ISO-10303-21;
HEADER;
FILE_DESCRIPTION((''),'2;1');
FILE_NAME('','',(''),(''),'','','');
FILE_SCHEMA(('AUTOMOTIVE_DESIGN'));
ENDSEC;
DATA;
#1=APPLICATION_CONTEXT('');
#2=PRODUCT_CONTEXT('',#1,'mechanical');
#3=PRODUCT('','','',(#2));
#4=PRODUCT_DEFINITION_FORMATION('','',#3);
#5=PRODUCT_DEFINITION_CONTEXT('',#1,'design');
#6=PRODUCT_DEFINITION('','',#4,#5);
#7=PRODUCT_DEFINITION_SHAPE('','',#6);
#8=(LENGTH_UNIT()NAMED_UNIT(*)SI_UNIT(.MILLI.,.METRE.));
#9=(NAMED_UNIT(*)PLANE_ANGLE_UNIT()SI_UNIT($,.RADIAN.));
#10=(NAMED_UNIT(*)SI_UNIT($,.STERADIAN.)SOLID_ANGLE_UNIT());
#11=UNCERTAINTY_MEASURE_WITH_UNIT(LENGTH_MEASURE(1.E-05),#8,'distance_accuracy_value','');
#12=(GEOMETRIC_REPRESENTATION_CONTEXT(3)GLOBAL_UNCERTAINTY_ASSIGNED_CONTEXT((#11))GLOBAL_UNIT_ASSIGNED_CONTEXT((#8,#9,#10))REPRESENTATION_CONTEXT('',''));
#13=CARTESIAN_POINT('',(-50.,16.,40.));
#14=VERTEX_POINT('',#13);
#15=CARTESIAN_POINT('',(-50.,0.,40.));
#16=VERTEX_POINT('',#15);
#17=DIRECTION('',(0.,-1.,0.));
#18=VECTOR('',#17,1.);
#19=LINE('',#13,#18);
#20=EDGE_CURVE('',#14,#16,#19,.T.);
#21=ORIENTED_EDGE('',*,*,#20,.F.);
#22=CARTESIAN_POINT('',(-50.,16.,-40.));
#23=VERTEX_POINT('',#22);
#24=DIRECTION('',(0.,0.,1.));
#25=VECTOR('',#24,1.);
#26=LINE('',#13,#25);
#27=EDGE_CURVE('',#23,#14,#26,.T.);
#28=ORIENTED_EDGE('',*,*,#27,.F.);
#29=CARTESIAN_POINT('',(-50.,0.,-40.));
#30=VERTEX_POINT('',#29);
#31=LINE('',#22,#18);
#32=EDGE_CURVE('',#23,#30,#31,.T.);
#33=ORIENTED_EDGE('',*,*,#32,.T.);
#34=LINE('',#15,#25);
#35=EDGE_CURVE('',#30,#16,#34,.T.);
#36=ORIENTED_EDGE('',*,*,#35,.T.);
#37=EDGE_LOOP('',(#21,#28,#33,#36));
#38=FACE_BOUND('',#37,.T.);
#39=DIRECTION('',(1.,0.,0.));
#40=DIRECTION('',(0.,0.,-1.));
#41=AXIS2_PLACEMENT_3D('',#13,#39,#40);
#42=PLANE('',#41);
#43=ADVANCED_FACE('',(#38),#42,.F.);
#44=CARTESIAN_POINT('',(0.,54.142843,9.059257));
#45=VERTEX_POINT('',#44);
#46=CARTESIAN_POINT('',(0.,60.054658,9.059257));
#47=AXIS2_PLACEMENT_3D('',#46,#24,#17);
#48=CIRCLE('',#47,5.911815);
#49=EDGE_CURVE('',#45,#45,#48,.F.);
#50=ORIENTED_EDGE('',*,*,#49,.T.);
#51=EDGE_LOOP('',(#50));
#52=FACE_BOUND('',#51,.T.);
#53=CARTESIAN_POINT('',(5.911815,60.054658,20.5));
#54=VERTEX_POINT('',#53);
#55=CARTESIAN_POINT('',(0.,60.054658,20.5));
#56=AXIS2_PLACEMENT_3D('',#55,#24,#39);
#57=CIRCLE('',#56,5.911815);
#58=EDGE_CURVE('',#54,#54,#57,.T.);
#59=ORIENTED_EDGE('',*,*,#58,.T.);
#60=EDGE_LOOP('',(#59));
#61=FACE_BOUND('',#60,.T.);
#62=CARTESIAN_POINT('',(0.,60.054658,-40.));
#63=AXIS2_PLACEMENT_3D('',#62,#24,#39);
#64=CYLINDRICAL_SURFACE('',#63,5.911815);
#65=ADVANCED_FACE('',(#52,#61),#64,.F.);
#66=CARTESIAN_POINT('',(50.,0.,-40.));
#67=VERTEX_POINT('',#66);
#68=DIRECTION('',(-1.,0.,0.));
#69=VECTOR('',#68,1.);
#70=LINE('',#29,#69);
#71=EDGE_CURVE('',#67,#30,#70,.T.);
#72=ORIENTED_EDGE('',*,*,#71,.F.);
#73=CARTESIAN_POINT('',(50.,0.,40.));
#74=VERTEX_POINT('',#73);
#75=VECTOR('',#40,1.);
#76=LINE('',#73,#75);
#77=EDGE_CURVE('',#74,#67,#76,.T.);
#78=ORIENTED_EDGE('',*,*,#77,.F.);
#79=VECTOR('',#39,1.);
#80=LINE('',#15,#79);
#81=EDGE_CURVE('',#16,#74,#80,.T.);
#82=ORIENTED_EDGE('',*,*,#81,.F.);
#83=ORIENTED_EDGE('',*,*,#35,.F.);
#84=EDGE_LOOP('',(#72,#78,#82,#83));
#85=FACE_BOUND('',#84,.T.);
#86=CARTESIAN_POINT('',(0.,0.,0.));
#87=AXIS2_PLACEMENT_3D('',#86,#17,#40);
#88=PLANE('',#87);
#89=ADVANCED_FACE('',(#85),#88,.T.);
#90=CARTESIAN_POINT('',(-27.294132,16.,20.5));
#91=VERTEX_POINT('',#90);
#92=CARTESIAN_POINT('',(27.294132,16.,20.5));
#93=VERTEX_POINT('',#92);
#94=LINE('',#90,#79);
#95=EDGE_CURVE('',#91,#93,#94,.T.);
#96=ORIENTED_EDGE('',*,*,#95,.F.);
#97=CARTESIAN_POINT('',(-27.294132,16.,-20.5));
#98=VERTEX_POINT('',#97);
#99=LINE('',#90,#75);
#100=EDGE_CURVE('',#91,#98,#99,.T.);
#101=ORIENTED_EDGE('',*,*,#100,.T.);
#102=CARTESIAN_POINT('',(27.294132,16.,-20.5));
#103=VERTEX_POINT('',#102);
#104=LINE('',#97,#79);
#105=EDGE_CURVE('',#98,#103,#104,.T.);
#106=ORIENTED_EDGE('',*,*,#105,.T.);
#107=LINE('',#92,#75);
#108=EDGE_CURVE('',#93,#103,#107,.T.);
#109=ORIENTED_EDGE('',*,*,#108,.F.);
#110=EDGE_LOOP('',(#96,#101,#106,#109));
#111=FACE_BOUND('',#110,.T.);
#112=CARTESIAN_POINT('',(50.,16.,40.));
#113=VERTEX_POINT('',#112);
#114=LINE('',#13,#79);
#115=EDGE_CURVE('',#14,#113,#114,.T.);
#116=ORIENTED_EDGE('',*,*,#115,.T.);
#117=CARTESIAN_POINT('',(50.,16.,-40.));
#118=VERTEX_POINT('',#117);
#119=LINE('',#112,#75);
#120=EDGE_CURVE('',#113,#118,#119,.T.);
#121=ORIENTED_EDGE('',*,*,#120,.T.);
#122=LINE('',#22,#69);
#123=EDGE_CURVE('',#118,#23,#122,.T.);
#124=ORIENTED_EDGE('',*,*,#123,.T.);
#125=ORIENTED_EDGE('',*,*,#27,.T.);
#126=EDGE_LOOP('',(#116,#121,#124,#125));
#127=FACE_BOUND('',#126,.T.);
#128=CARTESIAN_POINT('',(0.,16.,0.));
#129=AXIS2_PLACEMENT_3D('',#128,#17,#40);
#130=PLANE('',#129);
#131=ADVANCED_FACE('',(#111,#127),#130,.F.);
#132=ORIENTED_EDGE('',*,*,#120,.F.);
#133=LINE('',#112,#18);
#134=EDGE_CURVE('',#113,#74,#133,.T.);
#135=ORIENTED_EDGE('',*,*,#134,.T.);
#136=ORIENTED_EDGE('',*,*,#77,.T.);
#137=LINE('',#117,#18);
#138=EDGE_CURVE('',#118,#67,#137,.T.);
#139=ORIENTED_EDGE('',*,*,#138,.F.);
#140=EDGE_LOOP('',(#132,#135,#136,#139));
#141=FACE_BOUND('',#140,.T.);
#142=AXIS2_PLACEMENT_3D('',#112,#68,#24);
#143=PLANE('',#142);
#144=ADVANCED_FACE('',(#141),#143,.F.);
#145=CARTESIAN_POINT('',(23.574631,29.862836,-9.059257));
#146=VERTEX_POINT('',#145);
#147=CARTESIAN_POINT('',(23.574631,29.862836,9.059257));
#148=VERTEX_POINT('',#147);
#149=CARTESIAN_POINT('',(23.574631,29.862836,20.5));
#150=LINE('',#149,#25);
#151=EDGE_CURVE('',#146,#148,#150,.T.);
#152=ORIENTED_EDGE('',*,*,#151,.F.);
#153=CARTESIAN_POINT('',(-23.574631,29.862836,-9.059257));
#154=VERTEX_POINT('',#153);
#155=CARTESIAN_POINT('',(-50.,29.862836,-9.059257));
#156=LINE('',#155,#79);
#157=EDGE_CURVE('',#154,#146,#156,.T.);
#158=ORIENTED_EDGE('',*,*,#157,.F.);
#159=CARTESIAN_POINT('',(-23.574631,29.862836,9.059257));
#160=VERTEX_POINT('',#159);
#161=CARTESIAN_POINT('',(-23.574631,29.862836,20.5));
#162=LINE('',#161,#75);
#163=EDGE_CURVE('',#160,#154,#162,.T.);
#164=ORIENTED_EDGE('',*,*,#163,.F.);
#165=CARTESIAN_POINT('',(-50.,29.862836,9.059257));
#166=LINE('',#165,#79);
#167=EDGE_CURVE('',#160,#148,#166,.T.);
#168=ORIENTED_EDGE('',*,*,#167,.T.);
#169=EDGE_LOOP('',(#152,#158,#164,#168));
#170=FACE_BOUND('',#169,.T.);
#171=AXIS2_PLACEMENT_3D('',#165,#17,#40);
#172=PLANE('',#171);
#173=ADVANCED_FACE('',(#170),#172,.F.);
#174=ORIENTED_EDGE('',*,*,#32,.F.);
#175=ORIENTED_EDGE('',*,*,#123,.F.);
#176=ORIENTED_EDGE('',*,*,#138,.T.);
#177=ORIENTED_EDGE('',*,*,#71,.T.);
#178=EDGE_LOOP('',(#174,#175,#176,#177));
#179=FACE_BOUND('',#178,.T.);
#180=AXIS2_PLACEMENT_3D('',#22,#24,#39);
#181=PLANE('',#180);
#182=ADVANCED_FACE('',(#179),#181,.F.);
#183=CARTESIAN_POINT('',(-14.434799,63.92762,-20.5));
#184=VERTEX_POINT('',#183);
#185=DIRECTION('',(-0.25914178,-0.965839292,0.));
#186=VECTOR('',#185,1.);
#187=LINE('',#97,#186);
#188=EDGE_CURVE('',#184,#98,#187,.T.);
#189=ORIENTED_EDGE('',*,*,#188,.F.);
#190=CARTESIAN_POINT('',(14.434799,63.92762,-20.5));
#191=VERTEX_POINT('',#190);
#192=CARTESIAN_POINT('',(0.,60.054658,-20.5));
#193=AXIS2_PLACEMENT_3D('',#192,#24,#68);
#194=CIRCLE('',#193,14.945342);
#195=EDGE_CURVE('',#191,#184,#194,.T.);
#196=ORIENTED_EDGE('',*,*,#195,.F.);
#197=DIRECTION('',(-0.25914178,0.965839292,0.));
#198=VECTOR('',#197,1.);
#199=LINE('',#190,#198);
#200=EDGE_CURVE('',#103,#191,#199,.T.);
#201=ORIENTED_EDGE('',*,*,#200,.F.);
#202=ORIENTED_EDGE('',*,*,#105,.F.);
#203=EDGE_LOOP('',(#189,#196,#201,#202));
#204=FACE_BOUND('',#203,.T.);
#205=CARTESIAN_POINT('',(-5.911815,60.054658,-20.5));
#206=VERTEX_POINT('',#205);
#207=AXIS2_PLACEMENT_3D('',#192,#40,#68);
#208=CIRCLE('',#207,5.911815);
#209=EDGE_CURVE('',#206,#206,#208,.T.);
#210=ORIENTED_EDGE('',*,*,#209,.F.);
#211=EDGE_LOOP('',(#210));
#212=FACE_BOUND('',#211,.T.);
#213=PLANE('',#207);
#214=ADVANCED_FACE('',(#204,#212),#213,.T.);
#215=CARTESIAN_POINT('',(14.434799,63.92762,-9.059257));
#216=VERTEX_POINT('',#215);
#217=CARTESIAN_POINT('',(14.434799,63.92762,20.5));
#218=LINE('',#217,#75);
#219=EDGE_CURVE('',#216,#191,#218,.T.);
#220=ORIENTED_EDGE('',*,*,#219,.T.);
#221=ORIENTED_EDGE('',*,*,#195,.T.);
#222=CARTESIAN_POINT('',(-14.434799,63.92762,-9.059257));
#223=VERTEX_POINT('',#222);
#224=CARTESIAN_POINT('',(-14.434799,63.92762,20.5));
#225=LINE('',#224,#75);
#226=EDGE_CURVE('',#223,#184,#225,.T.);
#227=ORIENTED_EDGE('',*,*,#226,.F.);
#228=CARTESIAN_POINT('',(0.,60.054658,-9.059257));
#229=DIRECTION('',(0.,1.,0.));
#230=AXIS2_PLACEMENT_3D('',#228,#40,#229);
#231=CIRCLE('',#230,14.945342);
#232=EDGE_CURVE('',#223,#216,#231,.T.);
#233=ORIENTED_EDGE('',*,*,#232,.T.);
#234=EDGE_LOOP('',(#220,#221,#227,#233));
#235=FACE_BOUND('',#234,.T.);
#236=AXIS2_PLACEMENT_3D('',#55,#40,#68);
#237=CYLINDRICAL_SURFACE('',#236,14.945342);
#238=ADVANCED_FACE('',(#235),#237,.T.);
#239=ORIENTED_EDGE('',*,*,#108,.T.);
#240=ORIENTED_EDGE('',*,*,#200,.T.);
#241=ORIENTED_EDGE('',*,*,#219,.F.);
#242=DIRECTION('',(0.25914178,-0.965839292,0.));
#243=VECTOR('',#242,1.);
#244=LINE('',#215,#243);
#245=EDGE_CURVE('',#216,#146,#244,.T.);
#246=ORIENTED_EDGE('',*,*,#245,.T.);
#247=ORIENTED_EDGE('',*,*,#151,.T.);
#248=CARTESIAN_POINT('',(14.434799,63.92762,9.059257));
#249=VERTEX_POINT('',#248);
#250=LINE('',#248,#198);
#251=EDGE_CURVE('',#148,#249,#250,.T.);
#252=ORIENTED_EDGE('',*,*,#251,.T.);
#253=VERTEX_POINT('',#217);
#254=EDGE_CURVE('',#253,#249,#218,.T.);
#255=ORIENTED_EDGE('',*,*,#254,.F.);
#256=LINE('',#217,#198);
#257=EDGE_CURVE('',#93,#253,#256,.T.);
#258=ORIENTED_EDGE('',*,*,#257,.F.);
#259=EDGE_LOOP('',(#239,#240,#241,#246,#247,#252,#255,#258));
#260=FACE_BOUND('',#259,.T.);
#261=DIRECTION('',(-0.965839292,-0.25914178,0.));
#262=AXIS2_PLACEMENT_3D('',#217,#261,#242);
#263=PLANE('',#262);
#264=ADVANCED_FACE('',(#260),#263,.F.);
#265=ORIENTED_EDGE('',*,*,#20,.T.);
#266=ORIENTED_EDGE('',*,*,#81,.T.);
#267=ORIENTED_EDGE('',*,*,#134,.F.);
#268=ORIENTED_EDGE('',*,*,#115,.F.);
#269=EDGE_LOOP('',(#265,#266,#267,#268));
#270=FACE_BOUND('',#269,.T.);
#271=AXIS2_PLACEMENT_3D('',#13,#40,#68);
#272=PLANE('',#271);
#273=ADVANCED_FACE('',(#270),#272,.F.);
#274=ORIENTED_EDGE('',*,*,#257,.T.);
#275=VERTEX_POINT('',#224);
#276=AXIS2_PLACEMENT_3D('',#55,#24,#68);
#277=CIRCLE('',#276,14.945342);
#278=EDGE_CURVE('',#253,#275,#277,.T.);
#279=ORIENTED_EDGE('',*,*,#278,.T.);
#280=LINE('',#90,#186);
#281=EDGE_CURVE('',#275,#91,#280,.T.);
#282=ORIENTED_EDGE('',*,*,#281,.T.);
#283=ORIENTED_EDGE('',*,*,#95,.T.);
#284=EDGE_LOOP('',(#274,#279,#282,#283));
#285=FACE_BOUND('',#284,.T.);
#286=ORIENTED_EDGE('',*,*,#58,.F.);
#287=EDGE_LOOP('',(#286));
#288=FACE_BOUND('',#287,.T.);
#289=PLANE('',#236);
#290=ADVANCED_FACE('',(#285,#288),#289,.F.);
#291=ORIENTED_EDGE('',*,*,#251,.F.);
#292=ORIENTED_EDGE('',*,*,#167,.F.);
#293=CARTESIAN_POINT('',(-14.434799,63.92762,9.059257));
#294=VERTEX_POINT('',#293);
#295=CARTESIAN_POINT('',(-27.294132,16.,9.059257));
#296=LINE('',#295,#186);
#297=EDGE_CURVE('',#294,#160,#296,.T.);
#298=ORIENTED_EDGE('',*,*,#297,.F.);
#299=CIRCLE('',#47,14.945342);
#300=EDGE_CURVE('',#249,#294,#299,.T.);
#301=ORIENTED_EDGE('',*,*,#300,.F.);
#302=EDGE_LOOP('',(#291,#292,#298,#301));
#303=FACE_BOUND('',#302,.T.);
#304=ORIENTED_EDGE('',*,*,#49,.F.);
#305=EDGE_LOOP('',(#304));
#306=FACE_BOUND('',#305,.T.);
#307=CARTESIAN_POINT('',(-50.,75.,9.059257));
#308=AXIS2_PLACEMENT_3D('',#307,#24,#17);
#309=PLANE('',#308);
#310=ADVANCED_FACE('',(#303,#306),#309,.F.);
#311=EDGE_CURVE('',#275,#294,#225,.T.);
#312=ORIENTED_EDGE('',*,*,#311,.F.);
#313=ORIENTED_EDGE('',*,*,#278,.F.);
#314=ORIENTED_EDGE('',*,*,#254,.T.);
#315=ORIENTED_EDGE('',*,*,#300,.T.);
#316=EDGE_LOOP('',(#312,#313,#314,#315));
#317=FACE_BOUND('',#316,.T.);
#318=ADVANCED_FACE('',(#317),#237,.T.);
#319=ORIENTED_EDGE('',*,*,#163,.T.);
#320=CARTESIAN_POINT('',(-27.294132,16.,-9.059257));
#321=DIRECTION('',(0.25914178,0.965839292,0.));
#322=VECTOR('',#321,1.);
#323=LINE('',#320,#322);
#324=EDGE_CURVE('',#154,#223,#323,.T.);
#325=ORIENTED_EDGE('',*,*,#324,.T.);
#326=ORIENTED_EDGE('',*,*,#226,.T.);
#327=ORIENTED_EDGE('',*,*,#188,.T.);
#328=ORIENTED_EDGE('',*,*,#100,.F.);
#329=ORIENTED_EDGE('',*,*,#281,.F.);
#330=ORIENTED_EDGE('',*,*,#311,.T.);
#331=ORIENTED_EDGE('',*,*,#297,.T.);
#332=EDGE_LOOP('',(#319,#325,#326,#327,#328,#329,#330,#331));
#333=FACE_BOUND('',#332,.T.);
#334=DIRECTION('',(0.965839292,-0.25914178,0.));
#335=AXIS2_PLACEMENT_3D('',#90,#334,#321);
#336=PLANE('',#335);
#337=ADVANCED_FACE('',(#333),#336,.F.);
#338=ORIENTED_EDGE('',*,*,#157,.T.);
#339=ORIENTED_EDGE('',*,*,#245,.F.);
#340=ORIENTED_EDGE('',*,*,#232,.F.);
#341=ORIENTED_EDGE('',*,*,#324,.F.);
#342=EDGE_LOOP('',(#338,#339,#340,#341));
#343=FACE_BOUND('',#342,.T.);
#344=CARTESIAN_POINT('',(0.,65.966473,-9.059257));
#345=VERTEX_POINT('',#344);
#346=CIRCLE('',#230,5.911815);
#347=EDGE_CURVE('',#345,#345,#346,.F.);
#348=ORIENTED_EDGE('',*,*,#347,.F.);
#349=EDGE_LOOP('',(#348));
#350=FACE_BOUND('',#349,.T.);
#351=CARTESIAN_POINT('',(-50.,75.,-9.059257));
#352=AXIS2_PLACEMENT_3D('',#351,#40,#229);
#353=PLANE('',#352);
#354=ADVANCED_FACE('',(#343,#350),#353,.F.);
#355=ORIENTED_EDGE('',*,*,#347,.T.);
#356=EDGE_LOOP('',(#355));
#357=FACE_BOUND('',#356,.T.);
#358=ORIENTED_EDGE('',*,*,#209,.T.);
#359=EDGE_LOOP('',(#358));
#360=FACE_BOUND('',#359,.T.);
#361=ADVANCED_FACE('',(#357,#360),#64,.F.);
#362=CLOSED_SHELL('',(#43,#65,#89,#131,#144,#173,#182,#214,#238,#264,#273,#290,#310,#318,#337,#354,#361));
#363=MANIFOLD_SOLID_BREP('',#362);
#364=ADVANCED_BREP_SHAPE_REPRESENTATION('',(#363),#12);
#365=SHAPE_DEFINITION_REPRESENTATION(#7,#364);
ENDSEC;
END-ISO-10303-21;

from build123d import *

# Parameters (mm, degrees)
SKETCH3_W               = 100
SKETCH3_H               = 80
BOSS_EXTRUDE2_DEPTH     = 16
BOSS_EXTRUDE3_DEPTH     = 20.5
SKETCH6_R               = 5.911815165
CUT_EXTRUDE1_DEPTH      = 109.559891304
CUT_EXTRUDE2_DEPTH      = 99.615414617
CUT_EXTRUDE2_DEPTH_BACK = 99.615414617
SKETCH8_W               = 18.118513472
SKETCH8_H               = 45.137164109


with BuildPart() as part:
    # Sketch3 → Boss-Extrude2 (new body)
    with BuildSketch(Plane(origin=(0, 0, 0), x_dir=(1, 0, 0), z_dir=(0, 1, 0))):
        Rectangle(SKETCH3_W, SKETCH3_H)
    extrude(amount=BOSS_EXTRUDE2_DEPTH)

    # Sketch5 → Boss-Extrude3 (add, symmetric)
    with BuildSketch(Plane.XY):
        with BuildLine():
            Line((-27.294131566, 16), (-14.434798789, 63.927620339))
            ThreePointArc((-14.434798789, 63.927620339), (0, 75), (14.434798789, 63.927620339))
            Line((14.434798789, 63.927620339), (27.294131566, 16))
            Line((27.294131566, 16), (-27.294131566, 16))
        make_face()
    extrude(amount=BOSS_EXTRUDE3_DEPTH, both=True)

    # Sketch6 → Cut-Extrude1 (cut, through all)
    with BuildSketch(Plane.XY.offset(20.5)):
        with Locations((0, 60.054657736)):
            Circle(SKETCH6_R)
    extrude(amount=-CUT_EXTRUDE1_DEPTH, mode=Mode.SUBTRACT)

    # Sketch8 → Cut-Extrude2 (cut, two sides: drawn at the far end of the back side and taken through both)
    with BuildSketch(Plane(origin=(0, 0, 0), x_dir=(0, 0, -1), z_dir=(1, 0, 0)).offset(-CUT_EXTRUDE2_DEPTH_BACK)):
        with Locations((0, 52.431417946)):
            Rectangle(SKETCH8_W, SKETCH8_H)
    extrude(amount=CUT_EXTRUDE2_DEPTH + CUT_EXTRUDE2_DEPTH_BACK, mode=Mode.SUBTRACT)


solid = part.part
